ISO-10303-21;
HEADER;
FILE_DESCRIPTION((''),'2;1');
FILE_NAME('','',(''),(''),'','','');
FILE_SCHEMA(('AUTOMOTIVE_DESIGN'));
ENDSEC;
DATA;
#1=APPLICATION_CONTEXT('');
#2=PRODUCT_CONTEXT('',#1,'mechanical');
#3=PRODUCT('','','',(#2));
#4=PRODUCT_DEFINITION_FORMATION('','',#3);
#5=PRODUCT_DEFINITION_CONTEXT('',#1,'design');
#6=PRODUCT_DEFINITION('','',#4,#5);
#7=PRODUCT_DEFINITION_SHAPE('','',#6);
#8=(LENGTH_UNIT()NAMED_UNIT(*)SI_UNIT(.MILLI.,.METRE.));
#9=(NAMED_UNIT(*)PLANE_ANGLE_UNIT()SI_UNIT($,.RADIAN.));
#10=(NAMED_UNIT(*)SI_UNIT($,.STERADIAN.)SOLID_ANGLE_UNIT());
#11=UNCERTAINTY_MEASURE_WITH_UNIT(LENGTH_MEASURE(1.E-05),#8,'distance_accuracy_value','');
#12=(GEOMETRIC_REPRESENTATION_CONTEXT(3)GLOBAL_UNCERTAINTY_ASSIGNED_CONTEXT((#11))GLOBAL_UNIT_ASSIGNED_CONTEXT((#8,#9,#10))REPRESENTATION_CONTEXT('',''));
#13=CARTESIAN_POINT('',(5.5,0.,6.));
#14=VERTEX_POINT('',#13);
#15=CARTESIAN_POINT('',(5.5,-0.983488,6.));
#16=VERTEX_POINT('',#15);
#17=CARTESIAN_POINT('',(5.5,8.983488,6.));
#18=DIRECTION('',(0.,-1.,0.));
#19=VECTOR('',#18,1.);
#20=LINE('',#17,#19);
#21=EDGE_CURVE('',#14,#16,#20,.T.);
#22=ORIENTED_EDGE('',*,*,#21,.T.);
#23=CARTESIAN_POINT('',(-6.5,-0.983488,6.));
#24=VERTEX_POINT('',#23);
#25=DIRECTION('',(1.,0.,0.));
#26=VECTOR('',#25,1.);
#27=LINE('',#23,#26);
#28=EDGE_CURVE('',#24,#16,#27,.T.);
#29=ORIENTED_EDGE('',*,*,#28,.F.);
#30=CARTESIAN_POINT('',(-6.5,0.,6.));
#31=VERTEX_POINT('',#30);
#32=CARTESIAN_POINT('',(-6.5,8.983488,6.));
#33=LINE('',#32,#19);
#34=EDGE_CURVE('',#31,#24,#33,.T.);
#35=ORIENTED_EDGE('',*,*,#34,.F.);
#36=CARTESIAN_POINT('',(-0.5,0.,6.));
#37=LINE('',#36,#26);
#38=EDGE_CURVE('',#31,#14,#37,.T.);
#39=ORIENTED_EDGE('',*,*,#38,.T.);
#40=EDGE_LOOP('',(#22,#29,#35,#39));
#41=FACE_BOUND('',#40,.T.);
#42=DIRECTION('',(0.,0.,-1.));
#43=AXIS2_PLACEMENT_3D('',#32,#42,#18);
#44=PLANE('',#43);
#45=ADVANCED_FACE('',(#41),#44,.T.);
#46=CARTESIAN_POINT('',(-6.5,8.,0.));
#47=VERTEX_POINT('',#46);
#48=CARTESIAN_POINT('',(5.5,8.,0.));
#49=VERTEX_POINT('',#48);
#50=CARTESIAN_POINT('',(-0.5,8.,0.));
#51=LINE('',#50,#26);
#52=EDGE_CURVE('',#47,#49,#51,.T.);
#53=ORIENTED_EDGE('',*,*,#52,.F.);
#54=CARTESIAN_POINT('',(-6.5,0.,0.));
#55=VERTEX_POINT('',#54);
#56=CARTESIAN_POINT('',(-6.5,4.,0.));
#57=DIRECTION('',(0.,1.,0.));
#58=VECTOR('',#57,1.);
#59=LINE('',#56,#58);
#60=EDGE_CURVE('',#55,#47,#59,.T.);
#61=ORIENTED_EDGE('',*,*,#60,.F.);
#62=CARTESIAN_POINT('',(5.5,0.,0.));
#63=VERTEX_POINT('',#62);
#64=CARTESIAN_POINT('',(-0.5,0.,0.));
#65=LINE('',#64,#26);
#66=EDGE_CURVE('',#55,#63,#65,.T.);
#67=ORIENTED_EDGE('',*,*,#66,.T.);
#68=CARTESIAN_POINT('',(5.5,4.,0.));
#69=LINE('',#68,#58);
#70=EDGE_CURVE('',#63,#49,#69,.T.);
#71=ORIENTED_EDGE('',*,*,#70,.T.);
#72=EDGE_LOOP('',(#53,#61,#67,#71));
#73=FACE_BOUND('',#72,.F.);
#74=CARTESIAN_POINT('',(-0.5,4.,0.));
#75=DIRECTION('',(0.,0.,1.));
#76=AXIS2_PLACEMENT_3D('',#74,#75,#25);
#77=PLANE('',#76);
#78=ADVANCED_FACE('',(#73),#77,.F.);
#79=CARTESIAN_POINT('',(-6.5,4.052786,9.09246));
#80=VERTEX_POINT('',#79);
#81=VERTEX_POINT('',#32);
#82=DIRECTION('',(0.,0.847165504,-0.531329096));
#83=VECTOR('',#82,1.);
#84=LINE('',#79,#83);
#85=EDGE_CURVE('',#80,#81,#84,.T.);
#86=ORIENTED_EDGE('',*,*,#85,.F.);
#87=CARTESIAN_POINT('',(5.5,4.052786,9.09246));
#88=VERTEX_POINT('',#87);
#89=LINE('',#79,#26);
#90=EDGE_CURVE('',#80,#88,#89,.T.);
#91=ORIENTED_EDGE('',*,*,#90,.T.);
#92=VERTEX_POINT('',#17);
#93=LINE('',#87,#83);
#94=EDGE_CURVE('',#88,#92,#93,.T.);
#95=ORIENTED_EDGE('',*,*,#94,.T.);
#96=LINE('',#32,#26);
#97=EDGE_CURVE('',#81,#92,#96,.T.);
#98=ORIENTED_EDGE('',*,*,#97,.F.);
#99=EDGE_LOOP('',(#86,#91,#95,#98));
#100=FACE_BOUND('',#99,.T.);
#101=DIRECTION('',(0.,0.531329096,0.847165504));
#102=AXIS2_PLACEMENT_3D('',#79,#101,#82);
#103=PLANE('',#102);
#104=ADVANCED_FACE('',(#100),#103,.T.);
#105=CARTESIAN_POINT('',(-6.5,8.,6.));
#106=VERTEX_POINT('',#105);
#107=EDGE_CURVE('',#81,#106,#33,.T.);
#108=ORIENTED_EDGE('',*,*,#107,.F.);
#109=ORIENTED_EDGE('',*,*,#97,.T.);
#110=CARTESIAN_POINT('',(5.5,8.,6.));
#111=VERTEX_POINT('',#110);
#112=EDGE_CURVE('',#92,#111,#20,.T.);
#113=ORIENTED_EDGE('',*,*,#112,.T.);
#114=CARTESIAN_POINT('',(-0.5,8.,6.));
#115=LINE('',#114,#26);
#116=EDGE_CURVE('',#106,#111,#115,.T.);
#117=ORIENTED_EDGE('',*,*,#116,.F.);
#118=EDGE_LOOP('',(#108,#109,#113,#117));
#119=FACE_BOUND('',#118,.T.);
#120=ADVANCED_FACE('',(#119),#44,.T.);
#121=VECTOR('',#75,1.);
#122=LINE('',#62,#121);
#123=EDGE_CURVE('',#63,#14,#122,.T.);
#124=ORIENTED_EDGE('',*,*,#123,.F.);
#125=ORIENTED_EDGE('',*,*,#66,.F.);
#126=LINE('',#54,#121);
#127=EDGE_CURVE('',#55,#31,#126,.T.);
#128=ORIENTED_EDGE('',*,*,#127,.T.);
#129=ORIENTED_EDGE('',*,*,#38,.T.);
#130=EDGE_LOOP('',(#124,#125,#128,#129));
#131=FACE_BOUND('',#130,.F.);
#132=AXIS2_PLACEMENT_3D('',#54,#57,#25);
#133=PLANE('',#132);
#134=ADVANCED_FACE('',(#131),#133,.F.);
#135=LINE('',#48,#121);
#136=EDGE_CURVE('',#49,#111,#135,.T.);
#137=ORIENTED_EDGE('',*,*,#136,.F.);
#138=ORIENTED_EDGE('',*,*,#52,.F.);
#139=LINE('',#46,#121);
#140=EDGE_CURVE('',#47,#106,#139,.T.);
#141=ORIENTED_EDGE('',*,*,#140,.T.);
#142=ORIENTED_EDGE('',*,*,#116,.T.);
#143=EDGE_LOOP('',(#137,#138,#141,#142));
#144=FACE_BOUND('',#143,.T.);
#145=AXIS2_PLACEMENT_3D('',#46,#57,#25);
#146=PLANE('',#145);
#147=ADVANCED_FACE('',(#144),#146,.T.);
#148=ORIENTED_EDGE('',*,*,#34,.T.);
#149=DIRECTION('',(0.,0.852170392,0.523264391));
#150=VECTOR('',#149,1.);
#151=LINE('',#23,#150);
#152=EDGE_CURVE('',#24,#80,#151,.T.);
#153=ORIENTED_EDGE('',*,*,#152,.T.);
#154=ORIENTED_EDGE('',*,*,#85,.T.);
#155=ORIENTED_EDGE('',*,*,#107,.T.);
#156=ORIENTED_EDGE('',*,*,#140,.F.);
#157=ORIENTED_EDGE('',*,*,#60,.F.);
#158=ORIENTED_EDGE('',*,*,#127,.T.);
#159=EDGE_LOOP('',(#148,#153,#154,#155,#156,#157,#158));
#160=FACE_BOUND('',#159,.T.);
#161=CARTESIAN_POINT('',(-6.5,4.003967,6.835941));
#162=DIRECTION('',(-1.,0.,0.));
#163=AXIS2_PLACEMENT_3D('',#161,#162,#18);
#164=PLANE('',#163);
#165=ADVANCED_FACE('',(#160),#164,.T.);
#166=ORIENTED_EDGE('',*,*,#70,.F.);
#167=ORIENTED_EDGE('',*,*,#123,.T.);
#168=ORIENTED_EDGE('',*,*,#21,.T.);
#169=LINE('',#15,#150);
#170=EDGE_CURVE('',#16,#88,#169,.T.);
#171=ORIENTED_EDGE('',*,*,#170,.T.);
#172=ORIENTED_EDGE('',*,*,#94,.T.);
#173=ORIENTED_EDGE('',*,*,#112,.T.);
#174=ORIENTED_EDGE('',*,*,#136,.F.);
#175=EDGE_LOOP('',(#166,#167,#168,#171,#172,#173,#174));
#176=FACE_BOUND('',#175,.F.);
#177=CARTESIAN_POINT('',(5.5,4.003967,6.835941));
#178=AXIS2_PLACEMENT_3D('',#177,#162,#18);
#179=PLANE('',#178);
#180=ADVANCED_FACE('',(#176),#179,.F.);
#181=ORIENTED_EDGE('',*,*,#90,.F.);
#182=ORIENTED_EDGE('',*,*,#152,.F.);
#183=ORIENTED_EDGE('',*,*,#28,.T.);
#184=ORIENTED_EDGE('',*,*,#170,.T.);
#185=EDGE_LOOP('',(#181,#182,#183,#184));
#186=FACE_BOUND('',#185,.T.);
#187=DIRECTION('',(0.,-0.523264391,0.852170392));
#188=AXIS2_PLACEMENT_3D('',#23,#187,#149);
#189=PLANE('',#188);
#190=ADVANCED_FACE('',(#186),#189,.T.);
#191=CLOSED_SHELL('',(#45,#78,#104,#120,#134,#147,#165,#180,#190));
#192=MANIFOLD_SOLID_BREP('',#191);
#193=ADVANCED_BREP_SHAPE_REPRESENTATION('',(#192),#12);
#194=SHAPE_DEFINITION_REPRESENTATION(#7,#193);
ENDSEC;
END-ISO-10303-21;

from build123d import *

# Parameters (mm, degrees)
F0_W     = 12
F0_H     = 8
F1_DEPTH = 6
F3_DEPTH = 12


with BuildPart() as f1:
    # F0 (on Top) → F1 (new body)
    with BuildSketch(Plane.XY):
        with Locations((-0.5, 4)):
            Rectangle(F0_W, F0_H)
    extrude(amount=F1_DEPTH)

    # F2 (on face) → F3 (join)
    with BuildSketch(Plane(origin=(-6.5, 0, 0), x_dir=(0, -1, 0), z_dir=(-1, 0, 0))):
        Polygon((-4.052786, 9.09246), (-8.983488, 6), (-8, 6), (0, 6), (0.983488, 6), align=None)
    extrude(amount=-F3_DEPTH)


solid = f1.part
